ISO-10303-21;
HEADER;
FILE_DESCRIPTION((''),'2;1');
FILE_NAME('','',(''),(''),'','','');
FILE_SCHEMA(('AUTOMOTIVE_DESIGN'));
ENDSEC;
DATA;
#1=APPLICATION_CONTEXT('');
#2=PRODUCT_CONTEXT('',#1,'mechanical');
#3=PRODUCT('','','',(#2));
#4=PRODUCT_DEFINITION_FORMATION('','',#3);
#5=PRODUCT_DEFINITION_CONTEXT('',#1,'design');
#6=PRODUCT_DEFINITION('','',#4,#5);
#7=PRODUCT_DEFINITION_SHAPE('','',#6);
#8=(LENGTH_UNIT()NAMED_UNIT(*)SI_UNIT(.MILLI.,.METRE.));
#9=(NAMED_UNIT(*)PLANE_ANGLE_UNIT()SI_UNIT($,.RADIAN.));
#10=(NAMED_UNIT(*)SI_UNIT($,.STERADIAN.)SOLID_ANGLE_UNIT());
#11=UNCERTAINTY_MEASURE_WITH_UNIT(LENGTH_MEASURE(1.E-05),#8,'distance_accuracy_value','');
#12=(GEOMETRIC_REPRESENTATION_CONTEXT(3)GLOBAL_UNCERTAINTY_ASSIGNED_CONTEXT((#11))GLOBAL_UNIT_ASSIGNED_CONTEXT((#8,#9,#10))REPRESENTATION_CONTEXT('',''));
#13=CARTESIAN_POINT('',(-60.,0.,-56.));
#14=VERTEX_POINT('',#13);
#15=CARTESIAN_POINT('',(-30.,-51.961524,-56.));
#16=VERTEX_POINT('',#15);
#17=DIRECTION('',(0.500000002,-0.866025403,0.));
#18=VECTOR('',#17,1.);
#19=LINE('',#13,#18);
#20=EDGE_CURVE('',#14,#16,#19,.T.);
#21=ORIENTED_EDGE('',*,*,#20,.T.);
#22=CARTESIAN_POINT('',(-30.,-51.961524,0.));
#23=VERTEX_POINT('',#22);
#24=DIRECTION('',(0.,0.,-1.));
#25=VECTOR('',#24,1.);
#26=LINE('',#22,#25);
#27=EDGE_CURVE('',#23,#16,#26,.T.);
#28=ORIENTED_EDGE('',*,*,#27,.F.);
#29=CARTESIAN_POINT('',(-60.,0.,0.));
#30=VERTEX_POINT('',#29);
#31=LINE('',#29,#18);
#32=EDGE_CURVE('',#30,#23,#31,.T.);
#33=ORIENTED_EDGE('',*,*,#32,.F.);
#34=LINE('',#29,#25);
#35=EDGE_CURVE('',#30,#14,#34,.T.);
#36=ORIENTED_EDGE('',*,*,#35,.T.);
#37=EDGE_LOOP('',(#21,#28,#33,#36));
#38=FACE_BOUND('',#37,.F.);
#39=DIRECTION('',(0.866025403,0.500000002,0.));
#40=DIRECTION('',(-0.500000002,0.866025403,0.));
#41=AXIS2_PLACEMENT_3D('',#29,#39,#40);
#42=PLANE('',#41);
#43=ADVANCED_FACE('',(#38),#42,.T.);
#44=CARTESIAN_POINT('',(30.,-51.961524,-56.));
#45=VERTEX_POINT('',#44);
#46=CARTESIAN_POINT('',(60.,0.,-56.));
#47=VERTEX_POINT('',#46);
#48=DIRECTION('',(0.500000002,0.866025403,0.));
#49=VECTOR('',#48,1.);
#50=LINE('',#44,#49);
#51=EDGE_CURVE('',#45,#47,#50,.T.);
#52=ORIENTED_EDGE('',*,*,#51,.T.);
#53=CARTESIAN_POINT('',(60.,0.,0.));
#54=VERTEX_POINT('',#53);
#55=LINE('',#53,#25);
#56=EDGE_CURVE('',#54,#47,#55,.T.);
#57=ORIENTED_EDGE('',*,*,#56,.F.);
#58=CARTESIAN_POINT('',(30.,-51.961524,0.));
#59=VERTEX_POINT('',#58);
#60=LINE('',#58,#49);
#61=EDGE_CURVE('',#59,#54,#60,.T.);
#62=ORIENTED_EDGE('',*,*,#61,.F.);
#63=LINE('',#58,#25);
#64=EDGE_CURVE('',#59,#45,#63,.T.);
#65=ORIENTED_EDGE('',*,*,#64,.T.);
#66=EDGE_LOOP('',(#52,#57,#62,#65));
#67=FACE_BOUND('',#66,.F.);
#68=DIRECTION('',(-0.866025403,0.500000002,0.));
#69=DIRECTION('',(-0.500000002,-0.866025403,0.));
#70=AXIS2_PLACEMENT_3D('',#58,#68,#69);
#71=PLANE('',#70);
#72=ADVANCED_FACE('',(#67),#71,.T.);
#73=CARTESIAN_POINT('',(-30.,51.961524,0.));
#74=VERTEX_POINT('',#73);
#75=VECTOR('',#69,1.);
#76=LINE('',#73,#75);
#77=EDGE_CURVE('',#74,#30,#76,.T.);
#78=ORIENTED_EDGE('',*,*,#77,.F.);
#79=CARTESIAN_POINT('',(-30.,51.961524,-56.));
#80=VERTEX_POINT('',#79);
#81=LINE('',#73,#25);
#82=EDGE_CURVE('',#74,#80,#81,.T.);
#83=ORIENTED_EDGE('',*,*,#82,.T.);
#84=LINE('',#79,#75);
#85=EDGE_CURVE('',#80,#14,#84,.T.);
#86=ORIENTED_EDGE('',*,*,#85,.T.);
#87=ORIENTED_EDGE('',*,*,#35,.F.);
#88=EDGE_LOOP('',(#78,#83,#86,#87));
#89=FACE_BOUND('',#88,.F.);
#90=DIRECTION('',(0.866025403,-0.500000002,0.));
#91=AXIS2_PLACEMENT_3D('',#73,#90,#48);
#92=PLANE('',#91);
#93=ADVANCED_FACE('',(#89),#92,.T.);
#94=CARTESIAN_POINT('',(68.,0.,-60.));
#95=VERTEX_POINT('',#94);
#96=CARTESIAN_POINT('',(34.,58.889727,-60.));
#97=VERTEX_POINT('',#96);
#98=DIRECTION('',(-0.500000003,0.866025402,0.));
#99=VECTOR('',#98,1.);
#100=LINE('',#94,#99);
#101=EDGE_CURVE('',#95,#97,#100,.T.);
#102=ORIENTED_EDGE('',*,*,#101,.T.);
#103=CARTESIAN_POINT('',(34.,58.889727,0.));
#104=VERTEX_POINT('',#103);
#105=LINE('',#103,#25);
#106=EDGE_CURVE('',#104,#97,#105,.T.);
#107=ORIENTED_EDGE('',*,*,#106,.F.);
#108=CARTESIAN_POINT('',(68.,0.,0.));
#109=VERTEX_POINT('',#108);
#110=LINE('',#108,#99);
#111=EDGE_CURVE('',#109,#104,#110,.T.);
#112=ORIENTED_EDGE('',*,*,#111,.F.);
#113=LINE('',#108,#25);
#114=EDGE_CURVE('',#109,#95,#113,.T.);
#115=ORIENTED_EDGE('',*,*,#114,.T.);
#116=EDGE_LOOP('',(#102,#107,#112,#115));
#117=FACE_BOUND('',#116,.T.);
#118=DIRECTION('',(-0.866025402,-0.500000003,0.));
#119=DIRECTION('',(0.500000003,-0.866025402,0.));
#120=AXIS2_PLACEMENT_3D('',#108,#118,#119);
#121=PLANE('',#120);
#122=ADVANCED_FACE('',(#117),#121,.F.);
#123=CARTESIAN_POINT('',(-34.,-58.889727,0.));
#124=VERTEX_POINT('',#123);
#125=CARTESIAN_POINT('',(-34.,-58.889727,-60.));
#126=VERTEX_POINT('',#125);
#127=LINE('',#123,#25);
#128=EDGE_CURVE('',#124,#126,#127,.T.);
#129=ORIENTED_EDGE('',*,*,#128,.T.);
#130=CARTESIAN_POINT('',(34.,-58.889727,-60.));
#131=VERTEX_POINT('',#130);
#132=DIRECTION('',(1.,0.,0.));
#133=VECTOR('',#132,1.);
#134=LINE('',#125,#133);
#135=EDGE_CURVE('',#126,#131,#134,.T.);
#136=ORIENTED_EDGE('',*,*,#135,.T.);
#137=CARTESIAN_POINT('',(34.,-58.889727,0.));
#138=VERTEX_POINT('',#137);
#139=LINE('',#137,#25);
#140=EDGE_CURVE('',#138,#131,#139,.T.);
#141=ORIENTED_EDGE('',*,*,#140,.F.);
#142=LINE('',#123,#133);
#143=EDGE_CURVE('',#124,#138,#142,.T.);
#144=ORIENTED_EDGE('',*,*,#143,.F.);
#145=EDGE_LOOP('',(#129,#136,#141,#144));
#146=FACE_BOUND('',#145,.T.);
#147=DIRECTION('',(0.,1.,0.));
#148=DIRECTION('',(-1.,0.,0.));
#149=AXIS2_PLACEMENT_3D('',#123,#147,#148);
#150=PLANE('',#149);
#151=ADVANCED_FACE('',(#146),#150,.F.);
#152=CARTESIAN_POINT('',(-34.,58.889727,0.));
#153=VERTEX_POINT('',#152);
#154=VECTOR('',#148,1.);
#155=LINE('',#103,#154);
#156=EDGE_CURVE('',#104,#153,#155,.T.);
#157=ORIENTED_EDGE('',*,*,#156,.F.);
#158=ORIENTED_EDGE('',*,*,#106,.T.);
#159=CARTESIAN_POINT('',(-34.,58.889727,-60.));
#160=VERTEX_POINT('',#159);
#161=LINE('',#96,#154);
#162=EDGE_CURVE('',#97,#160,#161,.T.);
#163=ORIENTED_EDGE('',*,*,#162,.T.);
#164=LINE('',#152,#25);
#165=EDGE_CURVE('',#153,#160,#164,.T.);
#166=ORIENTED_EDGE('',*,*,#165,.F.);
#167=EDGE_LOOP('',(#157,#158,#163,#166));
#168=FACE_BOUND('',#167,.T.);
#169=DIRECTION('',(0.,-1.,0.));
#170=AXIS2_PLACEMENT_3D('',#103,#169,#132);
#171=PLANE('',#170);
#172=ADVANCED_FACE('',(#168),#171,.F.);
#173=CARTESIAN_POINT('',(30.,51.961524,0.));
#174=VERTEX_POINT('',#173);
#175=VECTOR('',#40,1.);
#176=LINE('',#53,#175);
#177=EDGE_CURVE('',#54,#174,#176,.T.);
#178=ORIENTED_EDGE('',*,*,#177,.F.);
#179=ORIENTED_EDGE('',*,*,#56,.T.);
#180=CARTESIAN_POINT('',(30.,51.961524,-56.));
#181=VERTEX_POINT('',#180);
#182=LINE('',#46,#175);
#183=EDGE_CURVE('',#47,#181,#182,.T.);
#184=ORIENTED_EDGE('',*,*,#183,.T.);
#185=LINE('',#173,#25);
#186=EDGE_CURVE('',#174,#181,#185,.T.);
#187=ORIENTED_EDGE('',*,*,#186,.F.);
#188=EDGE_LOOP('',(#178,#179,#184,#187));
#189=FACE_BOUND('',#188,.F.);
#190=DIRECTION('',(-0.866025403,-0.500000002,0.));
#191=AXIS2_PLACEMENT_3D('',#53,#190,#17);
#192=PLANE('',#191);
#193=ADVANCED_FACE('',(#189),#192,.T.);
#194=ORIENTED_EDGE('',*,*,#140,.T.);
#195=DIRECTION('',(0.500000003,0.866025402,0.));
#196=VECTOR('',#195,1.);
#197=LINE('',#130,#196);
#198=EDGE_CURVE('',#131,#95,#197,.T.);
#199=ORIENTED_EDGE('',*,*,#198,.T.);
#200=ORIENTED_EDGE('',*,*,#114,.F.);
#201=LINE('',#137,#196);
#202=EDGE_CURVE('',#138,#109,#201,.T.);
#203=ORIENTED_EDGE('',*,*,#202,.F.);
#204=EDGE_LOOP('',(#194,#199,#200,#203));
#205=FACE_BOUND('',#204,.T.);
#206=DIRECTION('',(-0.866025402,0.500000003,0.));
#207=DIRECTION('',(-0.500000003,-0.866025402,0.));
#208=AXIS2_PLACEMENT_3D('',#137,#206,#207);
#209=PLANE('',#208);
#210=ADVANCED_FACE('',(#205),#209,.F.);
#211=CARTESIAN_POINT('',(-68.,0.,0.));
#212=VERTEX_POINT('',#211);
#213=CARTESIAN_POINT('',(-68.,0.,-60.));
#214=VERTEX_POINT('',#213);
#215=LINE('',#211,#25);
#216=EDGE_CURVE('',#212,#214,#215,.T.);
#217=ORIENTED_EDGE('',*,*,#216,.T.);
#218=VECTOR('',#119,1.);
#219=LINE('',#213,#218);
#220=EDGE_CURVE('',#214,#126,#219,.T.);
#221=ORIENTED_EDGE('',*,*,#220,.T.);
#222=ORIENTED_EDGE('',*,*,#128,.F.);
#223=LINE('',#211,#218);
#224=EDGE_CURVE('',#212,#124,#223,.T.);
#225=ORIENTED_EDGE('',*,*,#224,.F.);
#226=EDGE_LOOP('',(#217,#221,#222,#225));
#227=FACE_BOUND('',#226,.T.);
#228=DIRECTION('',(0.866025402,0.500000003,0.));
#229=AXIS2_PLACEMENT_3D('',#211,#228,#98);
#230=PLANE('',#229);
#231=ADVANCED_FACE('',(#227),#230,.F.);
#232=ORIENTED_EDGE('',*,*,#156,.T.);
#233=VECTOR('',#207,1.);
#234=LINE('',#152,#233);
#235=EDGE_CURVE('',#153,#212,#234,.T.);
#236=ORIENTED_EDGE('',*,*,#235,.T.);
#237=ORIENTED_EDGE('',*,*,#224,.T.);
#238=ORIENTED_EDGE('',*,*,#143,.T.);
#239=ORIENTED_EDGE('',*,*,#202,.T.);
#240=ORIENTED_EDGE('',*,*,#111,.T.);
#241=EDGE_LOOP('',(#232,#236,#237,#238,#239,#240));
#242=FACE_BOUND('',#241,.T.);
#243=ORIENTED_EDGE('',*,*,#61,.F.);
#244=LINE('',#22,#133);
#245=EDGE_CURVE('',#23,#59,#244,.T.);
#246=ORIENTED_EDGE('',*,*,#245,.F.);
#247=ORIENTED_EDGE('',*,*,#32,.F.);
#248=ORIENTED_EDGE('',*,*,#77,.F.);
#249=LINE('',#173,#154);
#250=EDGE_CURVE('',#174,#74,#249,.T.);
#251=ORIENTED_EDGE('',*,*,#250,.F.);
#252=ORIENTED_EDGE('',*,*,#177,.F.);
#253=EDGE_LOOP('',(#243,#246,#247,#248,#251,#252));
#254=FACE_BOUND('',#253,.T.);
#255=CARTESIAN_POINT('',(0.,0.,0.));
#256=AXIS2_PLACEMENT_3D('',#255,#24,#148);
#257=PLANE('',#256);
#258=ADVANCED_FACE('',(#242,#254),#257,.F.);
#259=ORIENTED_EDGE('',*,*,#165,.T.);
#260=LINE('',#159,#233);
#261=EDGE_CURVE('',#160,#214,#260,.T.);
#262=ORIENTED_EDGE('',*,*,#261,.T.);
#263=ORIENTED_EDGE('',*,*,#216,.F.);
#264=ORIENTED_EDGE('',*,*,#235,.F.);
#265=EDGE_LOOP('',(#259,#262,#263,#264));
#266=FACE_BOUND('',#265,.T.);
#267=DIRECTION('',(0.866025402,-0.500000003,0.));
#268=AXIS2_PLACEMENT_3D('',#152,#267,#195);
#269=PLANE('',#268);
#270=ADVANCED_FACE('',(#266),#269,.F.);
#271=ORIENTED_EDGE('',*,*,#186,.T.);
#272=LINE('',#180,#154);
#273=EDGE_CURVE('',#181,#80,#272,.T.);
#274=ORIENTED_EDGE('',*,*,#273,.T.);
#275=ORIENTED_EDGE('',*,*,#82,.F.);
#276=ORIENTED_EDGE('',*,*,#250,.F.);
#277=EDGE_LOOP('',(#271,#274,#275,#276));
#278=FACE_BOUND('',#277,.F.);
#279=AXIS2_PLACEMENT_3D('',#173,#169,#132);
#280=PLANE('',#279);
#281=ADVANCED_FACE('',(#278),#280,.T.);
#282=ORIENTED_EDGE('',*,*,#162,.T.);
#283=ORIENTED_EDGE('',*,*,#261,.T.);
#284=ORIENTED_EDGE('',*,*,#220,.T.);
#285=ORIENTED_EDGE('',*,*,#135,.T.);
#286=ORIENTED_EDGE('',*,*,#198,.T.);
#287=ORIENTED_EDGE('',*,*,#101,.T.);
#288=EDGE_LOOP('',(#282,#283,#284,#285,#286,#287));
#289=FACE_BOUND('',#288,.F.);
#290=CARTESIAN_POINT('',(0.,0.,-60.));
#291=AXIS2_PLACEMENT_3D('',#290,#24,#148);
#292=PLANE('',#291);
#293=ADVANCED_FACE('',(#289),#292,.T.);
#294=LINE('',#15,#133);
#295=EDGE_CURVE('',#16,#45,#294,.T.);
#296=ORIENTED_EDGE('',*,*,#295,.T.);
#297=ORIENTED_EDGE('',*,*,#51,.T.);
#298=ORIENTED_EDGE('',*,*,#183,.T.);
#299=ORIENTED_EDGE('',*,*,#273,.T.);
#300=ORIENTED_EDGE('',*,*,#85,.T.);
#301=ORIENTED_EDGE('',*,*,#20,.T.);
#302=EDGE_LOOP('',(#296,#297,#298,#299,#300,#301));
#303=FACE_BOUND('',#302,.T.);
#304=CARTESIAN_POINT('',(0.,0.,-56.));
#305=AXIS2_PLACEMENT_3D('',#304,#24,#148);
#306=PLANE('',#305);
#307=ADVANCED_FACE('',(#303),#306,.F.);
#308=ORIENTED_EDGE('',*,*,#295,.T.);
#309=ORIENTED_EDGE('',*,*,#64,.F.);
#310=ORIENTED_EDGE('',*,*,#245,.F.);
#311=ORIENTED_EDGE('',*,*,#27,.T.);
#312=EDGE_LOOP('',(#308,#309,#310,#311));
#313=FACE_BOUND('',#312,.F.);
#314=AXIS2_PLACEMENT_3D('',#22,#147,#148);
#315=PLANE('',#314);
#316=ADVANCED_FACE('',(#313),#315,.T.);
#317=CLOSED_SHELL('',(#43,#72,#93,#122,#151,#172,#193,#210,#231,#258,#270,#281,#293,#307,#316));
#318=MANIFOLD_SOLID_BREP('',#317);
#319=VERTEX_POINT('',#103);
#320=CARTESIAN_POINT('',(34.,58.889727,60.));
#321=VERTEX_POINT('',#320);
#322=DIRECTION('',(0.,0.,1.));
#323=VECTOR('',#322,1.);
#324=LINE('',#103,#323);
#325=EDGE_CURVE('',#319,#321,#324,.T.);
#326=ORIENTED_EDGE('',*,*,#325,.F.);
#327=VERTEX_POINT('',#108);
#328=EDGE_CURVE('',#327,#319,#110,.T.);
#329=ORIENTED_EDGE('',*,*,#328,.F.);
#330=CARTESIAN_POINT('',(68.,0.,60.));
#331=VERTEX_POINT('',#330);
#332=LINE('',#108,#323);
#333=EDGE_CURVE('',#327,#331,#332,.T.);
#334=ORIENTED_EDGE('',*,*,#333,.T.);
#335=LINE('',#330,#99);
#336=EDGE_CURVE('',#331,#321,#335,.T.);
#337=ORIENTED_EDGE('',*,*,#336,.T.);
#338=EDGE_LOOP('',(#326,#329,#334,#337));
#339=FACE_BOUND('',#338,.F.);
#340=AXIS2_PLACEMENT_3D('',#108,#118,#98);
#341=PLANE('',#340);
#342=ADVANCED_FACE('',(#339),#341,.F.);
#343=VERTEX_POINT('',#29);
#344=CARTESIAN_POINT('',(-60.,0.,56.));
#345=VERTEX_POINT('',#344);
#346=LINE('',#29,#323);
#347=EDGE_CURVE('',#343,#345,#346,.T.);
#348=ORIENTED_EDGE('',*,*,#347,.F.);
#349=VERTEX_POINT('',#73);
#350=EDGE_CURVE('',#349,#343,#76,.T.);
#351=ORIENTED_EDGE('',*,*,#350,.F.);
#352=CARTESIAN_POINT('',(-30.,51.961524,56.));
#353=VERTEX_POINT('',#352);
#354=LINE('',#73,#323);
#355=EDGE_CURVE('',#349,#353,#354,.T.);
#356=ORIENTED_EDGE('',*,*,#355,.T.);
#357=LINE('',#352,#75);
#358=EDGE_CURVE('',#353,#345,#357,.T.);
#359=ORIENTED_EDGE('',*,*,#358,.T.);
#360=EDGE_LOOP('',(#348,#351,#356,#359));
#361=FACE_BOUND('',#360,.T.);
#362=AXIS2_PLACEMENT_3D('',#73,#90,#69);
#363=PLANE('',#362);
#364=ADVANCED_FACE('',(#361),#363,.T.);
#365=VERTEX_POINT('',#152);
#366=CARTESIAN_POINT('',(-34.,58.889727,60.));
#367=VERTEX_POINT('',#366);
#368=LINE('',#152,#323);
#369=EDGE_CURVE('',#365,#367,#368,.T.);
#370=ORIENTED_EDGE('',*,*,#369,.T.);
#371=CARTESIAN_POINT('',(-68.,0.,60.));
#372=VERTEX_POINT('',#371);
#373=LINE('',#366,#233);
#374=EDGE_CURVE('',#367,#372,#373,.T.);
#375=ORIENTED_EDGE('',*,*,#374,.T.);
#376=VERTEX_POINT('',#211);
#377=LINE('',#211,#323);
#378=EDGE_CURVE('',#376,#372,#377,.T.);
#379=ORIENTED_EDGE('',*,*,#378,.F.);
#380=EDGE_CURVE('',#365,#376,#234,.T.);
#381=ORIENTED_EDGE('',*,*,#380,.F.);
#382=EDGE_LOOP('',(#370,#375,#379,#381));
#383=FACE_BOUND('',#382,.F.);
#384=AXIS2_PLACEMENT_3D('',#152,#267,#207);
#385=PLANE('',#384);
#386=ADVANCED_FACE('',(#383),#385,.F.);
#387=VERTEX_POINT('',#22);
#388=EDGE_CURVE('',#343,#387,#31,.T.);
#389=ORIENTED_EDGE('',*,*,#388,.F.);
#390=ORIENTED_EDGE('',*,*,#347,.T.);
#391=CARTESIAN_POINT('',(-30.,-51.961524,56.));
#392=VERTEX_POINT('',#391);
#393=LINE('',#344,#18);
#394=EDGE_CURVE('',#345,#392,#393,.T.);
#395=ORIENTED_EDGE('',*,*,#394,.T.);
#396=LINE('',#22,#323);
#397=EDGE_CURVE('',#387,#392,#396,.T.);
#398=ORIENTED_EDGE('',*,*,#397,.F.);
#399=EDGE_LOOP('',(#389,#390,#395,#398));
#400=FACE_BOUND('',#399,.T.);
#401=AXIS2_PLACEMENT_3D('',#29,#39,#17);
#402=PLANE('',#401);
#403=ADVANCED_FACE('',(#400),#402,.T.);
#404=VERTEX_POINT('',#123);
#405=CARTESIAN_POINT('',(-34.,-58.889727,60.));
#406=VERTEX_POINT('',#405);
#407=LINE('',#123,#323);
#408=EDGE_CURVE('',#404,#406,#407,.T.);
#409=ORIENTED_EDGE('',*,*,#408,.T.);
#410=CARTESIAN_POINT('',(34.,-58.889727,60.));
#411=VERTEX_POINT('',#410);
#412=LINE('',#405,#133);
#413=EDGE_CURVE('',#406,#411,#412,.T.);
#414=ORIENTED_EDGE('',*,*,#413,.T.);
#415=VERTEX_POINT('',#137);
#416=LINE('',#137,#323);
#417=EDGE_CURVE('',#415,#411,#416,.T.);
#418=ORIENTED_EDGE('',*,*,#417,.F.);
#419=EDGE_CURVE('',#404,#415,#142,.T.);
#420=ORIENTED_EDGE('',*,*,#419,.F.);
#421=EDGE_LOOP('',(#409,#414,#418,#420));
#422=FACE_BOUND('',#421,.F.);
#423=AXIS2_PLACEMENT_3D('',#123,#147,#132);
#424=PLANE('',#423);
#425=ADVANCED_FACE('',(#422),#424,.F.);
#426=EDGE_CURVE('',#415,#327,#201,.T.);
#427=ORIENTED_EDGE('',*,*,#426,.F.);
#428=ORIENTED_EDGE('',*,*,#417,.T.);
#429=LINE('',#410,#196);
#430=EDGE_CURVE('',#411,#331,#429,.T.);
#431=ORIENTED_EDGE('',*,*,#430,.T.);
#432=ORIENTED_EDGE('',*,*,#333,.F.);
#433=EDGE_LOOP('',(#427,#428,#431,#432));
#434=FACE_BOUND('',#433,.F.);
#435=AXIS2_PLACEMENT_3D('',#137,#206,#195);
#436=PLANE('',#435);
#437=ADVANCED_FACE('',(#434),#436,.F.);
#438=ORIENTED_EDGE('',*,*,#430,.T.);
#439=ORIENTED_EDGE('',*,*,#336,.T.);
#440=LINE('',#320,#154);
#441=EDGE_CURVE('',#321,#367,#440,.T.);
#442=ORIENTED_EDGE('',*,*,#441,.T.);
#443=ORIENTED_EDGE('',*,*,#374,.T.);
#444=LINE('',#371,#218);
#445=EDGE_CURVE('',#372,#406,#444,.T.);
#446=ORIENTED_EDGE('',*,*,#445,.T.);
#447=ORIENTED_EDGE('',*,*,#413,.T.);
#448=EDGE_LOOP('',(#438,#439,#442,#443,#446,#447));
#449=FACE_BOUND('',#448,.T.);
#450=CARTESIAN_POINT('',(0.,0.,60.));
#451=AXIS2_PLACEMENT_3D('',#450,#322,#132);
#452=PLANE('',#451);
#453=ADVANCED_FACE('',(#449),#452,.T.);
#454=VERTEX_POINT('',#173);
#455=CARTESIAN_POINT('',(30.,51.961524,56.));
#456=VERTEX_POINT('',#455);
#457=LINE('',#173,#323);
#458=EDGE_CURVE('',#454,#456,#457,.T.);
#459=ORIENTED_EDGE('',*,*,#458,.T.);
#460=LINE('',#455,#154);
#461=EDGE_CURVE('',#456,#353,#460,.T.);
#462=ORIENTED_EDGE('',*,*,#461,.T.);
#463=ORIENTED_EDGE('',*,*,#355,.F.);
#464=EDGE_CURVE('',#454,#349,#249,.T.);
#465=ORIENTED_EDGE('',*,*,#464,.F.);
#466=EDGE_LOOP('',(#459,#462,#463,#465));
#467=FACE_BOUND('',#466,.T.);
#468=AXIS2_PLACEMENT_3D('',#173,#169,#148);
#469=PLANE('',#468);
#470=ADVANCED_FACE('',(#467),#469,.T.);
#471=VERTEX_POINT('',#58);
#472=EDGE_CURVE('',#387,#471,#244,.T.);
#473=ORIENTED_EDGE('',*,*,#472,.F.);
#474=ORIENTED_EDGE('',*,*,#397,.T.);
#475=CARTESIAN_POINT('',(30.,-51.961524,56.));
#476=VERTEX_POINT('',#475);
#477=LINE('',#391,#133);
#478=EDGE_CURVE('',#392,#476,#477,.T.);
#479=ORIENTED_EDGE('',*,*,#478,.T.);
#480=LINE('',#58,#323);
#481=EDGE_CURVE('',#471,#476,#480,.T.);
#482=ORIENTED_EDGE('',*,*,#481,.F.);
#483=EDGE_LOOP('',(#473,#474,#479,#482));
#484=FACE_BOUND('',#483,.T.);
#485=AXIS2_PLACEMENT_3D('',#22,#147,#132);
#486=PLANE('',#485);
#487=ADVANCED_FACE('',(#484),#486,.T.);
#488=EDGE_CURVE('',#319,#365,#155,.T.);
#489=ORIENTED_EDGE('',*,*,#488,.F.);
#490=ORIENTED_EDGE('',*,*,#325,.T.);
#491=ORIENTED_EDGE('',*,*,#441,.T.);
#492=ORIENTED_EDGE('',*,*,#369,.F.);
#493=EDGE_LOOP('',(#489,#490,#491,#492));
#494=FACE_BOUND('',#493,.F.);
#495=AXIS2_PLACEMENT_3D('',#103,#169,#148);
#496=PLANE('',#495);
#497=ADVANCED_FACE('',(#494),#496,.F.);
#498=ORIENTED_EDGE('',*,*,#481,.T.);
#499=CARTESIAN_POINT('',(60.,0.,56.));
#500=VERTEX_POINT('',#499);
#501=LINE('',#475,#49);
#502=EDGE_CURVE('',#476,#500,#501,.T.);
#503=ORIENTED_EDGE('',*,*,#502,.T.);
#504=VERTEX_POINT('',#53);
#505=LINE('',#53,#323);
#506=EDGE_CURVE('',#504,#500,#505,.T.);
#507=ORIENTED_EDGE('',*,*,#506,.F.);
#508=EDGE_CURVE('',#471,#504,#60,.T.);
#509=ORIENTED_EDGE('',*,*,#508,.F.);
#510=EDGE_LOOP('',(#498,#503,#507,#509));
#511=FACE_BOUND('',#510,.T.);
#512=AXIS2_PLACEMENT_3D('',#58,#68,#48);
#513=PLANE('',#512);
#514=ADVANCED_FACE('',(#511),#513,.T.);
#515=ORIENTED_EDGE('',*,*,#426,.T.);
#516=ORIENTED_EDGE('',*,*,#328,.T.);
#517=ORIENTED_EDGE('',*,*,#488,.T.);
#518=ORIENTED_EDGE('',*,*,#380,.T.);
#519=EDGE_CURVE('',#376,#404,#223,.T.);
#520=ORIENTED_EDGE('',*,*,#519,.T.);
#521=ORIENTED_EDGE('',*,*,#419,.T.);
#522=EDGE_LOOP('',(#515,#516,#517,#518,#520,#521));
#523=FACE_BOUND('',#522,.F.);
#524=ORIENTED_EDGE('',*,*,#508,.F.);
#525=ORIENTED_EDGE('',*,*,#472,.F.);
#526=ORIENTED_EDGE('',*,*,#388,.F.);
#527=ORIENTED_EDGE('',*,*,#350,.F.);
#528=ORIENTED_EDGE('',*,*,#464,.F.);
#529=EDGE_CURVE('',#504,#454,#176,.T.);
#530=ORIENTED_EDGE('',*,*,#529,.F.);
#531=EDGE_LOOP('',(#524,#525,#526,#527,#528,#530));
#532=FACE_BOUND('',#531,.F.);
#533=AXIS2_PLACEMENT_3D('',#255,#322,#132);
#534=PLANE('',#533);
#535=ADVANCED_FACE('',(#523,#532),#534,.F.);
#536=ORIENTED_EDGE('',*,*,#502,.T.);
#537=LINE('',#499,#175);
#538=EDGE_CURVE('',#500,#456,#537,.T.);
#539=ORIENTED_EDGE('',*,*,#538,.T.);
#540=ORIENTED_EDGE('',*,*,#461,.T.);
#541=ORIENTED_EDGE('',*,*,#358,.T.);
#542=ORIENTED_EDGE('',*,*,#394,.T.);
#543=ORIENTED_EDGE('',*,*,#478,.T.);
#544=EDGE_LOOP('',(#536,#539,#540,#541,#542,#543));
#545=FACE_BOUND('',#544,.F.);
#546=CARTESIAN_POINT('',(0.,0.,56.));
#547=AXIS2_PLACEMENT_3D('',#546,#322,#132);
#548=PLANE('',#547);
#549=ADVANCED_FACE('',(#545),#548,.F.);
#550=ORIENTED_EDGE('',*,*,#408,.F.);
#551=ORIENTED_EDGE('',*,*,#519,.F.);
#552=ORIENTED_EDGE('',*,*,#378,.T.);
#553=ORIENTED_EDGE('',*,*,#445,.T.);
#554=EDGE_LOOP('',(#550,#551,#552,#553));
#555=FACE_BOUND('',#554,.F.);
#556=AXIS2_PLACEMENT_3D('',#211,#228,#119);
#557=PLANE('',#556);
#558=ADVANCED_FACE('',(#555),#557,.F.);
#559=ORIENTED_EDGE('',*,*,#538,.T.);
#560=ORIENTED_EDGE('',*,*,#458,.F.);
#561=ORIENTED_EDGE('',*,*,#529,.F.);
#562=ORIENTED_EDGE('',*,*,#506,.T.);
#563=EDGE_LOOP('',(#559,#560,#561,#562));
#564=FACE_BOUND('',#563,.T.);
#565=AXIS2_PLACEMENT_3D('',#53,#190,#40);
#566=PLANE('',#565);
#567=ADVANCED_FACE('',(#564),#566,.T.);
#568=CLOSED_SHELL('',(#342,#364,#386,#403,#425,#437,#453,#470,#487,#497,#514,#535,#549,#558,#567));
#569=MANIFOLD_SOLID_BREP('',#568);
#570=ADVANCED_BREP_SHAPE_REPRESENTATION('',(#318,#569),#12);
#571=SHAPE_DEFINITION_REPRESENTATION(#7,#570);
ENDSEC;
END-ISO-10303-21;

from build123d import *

# Parameters (mm, degrees)
F2_DEPTH = 60
F3_DEPTH = 56


with BuildPart() as f2:
    # F1 (on Top) → F2 (new body)
    with BuildSketch(Plane.XY):
        Polygon((-34, 58.889727), (-68, 0), (-34, -58.889727), (34, -58.889727), (68, 0), (34, 58.889727), align=None)
    extrude(amount=F2_DEPTH)

    # F0 (on Top) → F3 (cut)
    with BuildSketch(Plane.XY):
        Polygon((-30, 51.961524), (-60, 0), (-30, -51.961524), (30, -51.961524), (60, 0), (30, 51.961524), align=None)
    extrude(amount=F3_DEPTH, mode=Mode.SUBTRACT)


with BuildPart() as f4_1:
    # F4: instance of F2
    add(f2.part.mirror(Plane.XY))


solid = Compound([f2.part, f4_1.part])
